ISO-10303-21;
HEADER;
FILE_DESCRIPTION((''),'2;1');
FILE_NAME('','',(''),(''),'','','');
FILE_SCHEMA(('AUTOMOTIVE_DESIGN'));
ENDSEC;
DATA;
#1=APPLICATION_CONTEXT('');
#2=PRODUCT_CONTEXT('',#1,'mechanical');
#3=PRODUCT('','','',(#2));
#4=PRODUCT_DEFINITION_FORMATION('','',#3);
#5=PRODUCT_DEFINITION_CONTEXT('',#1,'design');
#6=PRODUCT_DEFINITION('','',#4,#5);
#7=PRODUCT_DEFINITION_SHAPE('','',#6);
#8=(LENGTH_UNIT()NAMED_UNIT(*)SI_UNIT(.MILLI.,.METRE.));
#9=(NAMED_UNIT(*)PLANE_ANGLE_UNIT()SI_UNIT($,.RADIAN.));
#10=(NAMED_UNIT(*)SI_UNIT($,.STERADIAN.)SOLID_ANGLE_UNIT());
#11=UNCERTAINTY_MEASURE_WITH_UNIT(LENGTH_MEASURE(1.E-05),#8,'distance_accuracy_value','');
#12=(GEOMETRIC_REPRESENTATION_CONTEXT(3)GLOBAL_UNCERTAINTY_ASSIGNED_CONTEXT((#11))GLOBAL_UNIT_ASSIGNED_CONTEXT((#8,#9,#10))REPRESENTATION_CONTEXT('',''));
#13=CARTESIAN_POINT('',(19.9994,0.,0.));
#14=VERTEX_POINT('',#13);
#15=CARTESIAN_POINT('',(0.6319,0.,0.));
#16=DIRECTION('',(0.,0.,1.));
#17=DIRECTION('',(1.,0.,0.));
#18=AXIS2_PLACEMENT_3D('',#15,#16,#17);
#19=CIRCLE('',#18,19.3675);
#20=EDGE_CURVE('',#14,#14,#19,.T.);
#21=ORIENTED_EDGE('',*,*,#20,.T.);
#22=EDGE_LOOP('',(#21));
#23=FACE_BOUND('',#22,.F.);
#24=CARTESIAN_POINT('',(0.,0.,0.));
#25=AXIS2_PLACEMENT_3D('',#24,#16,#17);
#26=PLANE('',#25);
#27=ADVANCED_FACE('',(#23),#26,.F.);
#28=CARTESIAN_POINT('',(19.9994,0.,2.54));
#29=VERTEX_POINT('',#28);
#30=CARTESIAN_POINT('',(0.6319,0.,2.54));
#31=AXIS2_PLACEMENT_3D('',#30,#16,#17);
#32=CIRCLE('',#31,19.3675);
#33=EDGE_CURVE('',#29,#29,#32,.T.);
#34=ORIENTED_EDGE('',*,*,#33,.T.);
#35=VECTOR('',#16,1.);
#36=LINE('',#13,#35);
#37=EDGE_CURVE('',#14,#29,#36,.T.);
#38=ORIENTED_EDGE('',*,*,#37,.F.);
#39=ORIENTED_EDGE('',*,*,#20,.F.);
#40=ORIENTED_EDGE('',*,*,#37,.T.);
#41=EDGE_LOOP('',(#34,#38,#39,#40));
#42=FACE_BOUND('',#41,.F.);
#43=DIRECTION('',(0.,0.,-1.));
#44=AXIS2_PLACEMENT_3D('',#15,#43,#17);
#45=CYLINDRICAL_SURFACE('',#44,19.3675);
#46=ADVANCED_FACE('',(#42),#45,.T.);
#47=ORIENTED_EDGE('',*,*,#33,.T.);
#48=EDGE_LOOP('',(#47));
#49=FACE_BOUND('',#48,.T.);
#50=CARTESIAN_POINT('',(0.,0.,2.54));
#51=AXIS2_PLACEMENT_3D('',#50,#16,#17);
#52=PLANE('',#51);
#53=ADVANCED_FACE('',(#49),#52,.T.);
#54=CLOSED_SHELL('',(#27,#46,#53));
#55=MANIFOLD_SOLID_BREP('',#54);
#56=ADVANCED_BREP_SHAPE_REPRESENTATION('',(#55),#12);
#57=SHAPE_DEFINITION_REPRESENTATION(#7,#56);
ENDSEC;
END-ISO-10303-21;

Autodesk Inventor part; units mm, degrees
ref_plane "YZ Plane" through (0, 0, 0) normal (1, 0, 0) x (0, 1, 0)
ref_plane "XZ Plane" through (0, 0, 0) normal (0, 1, 0) x (-1, 0, 0)
ref_plane "XY Plane" through (0, 0, 0) normal (0, 0, 1) x (1, 0, 0)
sketch "Sketch1" plane through (0, 0, 0) normal (0, 0, 1) x (1, 0, 0)
  circle A0 centre (0.6319, 0) radius 19.3675
  point P0 (0, 0)
  dimension "d0" = 38.735
extrude "Extrusion1" add sketch "Sketch1" along normal blind 2.54
sketch "Sketch2" plane through (0.6319, 0, 2.54) normal (0, 0, 1) x (1, 0, 0)
  line L0 (-22.6669, 22.0575) -> (22.4736, 22.0575) construction
  line L1 (22.4736, 22.0575) -> (22.4736, -26.3036) construction
  line L2 (22.4736, -26.3036) -> (-22.6669, -26.3036) construction
  line L3 (-22.6669, -26.3036) -> (-22.6669, 22.0575) construction
  point P0 (-0.6319, 0)
decal "Decal1"
properties part number "PSI Guage Face 1764"
